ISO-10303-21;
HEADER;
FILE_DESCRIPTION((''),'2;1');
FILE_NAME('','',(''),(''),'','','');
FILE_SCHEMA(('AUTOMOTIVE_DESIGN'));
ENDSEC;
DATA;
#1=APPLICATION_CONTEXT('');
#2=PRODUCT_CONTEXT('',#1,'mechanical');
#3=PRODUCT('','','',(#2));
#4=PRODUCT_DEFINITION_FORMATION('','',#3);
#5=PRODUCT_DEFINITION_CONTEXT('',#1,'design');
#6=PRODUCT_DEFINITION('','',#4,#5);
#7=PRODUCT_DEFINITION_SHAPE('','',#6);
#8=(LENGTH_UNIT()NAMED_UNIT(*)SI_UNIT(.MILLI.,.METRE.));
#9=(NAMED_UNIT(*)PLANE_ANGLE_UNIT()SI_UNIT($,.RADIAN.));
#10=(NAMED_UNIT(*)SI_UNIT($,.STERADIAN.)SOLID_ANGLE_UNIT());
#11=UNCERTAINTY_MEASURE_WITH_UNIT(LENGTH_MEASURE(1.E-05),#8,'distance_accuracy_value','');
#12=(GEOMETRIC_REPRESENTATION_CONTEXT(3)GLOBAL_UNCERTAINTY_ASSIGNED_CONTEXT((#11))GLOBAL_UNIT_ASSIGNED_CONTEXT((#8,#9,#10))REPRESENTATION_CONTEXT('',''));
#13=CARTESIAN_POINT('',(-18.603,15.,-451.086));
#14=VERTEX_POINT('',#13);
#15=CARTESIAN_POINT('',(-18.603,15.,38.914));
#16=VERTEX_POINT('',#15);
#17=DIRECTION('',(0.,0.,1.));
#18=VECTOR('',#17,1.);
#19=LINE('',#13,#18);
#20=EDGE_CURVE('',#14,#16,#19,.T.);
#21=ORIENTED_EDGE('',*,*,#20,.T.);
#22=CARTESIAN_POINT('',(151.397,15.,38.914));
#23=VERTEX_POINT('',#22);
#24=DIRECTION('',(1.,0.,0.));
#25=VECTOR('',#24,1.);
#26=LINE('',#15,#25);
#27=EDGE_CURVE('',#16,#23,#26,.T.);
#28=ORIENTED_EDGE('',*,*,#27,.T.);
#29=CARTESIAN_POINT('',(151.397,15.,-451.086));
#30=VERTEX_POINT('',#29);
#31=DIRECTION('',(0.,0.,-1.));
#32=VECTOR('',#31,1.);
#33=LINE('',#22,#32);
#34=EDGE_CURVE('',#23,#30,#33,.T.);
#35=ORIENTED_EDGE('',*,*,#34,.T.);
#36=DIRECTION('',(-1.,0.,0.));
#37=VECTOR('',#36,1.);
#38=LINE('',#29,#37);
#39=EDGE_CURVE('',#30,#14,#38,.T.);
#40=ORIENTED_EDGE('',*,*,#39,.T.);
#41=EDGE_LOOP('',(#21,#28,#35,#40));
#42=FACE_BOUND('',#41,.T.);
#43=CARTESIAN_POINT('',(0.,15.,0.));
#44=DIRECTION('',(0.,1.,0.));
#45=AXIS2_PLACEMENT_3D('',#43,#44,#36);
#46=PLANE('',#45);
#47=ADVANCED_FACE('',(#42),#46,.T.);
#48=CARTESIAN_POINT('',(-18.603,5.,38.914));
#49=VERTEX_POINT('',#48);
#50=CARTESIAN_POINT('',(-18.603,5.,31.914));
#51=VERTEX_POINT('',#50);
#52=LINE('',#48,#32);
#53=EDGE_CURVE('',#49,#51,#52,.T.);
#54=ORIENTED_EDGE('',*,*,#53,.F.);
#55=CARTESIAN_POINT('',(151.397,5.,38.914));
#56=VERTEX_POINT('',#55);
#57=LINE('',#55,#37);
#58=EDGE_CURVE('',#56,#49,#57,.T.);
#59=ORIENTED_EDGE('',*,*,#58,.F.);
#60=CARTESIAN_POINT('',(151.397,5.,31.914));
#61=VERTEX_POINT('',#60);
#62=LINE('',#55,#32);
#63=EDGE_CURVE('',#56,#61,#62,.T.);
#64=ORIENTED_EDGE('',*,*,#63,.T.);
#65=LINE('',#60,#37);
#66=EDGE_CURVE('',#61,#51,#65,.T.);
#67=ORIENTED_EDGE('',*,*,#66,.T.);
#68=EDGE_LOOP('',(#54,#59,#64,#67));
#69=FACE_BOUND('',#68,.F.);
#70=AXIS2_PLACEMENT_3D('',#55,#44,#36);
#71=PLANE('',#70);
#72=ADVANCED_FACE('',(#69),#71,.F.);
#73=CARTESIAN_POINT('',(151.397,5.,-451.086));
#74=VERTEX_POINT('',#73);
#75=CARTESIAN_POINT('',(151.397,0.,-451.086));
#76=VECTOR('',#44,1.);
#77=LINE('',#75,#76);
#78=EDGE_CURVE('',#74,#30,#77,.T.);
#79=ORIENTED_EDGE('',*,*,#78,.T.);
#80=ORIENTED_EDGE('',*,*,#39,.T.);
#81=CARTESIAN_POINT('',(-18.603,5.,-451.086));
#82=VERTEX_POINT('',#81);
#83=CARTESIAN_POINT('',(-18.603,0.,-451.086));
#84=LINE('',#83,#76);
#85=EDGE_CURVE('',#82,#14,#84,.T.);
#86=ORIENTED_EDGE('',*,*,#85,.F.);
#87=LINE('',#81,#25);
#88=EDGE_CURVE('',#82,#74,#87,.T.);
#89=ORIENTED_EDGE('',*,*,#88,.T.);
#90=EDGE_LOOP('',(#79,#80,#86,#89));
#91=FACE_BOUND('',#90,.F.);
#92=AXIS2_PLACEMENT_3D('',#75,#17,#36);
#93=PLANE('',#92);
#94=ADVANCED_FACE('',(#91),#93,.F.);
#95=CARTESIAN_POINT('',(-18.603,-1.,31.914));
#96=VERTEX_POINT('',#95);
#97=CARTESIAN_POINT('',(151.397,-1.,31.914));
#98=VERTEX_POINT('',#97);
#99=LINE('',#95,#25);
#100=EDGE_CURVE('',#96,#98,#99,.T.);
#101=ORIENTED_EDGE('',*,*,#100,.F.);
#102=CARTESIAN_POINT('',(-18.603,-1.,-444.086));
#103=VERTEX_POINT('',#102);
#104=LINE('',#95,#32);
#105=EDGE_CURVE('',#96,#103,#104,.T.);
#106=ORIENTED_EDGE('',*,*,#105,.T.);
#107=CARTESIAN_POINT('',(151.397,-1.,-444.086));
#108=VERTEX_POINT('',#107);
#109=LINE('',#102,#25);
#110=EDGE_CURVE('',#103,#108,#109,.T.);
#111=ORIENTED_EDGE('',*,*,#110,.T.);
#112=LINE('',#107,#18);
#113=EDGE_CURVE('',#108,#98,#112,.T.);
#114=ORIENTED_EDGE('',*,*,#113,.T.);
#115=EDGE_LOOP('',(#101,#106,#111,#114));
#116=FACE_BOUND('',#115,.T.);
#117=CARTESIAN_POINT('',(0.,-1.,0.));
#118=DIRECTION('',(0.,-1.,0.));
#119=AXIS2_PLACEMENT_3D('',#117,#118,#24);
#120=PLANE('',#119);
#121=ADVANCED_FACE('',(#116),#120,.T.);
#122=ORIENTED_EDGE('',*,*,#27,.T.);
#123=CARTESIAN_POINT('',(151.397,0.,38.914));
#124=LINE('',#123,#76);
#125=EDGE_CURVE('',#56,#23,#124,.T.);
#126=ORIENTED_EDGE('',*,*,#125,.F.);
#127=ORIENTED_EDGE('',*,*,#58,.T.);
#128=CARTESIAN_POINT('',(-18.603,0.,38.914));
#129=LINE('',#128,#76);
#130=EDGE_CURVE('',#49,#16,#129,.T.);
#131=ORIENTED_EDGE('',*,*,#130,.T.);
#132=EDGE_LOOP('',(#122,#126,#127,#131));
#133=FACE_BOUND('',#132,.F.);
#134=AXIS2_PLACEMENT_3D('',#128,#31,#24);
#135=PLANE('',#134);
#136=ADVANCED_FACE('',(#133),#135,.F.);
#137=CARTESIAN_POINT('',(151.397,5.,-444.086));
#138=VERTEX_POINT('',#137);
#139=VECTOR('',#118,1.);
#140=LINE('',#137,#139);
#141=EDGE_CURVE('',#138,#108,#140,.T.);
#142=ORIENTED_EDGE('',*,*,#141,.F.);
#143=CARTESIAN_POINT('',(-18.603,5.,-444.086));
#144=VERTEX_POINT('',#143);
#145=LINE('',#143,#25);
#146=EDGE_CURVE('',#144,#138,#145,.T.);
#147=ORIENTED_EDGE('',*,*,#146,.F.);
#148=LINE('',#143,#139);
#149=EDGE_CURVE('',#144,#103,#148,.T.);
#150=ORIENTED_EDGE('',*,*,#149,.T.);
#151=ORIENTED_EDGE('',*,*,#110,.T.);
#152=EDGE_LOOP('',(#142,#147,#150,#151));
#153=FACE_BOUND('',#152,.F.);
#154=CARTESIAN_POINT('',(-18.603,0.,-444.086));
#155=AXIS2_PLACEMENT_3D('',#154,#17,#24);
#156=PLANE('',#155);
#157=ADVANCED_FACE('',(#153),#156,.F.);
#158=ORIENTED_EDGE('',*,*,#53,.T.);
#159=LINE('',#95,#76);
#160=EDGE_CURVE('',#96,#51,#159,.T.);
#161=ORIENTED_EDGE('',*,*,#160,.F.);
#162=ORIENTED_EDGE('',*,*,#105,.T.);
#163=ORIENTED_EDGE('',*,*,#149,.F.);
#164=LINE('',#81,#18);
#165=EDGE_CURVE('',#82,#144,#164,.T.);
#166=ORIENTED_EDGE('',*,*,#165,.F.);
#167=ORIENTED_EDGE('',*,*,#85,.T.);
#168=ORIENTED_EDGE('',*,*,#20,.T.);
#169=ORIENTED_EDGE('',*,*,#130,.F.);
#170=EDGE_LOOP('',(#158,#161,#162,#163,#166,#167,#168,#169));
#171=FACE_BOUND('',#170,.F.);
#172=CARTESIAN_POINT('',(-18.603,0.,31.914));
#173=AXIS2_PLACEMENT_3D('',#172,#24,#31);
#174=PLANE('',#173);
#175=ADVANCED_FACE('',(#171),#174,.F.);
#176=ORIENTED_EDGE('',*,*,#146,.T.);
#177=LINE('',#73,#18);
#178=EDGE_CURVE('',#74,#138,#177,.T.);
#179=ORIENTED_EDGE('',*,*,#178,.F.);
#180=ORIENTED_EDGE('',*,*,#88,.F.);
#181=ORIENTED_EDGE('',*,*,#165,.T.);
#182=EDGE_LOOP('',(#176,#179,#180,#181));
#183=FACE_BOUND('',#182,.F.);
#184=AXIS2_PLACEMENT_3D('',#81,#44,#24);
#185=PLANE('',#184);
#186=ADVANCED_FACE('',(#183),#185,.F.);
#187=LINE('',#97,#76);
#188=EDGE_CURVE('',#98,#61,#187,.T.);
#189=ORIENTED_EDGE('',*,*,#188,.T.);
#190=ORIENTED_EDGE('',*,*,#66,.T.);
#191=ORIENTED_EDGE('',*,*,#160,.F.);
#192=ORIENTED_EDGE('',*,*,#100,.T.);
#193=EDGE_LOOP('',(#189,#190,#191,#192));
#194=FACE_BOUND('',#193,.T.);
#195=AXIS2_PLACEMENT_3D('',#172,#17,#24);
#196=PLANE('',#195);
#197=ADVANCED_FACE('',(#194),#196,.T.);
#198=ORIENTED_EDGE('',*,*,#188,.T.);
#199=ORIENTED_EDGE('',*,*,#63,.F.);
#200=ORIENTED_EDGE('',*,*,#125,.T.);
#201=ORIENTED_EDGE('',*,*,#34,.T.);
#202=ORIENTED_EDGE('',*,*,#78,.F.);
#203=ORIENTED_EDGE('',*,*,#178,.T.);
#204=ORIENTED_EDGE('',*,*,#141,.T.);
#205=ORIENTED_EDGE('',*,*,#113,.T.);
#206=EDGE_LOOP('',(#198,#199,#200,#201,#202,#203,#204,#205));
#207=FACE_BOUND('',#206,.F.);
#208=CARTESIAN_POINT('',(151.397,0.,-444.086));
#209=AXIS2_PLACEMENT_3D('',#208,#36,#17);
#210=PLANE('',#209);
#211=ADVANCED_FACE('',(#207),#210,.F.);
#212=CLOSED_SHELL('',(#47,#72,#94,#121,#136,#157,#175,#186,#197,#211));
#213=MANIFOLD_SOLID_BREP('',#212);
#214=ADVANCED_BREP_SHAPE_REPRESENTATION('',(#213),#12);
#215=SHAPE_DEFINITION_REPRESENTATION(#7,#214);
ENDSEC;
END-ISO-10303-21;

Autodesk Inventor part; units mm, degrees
ref_plane "YZ Plane" through (0, 0, 0) normal (1, 0, 0) x (0, 1, 0)
ref_plane "XZ Plane" through (0, 0, 0) normal (0, 1, 0) x (-1, 0, 0)
ref_plane "XY Plane" through (0, 0, 0) normal (0, 0, 1) x (1, 0, 0)
sketch "Sketch1" plane through (0, 0, 0) normal (0, 1, 0) x (-1, 0, 0)
  line L0 (18.603, 38.914) -> (-151.397, 38.914)
  line L1 (-151.397, 38.914) -> (-151.397, -451.086)
  line L2 (-151.397, -451.086) -> (18.603, -451.086)
  line L3 (18.603, -451.086) -> (18.603, 38.914)
  point P0 (0, 0)
  dimension "d0" = 170
  dimension "d1" = 490
extrude "Extrusion1" add sketch "Sketch1" along normal blind 15
sketch "Sketch2" plane through (-18.603, 0, 38.914) normal (0, 0, 1) x (1, 0, 0)
  line L0 (170, 0) -> (0, 0) projected
  line L1 (0, 0) -> (170, 0)
  line L2 (170, 0) -> (170, 5)
  line L3 (170, 5) -> (0, 5)
  line L4 (0, 5) -> (0, 0)
  point P0 (18.603, 0)
  dimension "d4" = 170
  dimension "d5" = 5
extrude "Extrusion2" cut sketch "Sketch2" against normal blind 7
sketch "Sketch3" plane through (151.397, 0, -451.086) normal (0, 0, -1) x (-1, 0, 0)
  line L0 (0, 0) -> (170, 0) projected
  line L1 (0, 0) -> (170, 0)
  line L2 (170, 0) -> (170, 5)
  line L3 (170, 5) -> (0, 5)
  line L4 (0, 5) -> (0, 0)
  point P0 (151.397, 0)
  dimension "d8" = 170
  dimension "d9" = 5
extrude "Extrusion3" cut sketch "Sketch3" against normal blind 7
sketch "Sketch4" plane through (0, 0, 0) normal (0, -1, 0) x (1, 0, 0)
  line L0 (-18.603, -444.086) -> (151.397, -444.086) projected
  line L1 (-18.603, 31.914) -> (151.397, 31.914) projected
  line L2 (-18.603, -444.086) -> (151.397, -444.086)
  line L3 (151.397, -444.086) -> (151.397, 31.914)
  line L4 (151.397, 31.914) -> (-18.603, 31.914)
  line L5 (-18.603, 31.914) -> (-18.603, -444.086)
  point P0 (0, 0)
extrude "Extrusion4" add sketch "Sketch4" along normal blind 1
properties part number "Arcade_MonitorMount"
